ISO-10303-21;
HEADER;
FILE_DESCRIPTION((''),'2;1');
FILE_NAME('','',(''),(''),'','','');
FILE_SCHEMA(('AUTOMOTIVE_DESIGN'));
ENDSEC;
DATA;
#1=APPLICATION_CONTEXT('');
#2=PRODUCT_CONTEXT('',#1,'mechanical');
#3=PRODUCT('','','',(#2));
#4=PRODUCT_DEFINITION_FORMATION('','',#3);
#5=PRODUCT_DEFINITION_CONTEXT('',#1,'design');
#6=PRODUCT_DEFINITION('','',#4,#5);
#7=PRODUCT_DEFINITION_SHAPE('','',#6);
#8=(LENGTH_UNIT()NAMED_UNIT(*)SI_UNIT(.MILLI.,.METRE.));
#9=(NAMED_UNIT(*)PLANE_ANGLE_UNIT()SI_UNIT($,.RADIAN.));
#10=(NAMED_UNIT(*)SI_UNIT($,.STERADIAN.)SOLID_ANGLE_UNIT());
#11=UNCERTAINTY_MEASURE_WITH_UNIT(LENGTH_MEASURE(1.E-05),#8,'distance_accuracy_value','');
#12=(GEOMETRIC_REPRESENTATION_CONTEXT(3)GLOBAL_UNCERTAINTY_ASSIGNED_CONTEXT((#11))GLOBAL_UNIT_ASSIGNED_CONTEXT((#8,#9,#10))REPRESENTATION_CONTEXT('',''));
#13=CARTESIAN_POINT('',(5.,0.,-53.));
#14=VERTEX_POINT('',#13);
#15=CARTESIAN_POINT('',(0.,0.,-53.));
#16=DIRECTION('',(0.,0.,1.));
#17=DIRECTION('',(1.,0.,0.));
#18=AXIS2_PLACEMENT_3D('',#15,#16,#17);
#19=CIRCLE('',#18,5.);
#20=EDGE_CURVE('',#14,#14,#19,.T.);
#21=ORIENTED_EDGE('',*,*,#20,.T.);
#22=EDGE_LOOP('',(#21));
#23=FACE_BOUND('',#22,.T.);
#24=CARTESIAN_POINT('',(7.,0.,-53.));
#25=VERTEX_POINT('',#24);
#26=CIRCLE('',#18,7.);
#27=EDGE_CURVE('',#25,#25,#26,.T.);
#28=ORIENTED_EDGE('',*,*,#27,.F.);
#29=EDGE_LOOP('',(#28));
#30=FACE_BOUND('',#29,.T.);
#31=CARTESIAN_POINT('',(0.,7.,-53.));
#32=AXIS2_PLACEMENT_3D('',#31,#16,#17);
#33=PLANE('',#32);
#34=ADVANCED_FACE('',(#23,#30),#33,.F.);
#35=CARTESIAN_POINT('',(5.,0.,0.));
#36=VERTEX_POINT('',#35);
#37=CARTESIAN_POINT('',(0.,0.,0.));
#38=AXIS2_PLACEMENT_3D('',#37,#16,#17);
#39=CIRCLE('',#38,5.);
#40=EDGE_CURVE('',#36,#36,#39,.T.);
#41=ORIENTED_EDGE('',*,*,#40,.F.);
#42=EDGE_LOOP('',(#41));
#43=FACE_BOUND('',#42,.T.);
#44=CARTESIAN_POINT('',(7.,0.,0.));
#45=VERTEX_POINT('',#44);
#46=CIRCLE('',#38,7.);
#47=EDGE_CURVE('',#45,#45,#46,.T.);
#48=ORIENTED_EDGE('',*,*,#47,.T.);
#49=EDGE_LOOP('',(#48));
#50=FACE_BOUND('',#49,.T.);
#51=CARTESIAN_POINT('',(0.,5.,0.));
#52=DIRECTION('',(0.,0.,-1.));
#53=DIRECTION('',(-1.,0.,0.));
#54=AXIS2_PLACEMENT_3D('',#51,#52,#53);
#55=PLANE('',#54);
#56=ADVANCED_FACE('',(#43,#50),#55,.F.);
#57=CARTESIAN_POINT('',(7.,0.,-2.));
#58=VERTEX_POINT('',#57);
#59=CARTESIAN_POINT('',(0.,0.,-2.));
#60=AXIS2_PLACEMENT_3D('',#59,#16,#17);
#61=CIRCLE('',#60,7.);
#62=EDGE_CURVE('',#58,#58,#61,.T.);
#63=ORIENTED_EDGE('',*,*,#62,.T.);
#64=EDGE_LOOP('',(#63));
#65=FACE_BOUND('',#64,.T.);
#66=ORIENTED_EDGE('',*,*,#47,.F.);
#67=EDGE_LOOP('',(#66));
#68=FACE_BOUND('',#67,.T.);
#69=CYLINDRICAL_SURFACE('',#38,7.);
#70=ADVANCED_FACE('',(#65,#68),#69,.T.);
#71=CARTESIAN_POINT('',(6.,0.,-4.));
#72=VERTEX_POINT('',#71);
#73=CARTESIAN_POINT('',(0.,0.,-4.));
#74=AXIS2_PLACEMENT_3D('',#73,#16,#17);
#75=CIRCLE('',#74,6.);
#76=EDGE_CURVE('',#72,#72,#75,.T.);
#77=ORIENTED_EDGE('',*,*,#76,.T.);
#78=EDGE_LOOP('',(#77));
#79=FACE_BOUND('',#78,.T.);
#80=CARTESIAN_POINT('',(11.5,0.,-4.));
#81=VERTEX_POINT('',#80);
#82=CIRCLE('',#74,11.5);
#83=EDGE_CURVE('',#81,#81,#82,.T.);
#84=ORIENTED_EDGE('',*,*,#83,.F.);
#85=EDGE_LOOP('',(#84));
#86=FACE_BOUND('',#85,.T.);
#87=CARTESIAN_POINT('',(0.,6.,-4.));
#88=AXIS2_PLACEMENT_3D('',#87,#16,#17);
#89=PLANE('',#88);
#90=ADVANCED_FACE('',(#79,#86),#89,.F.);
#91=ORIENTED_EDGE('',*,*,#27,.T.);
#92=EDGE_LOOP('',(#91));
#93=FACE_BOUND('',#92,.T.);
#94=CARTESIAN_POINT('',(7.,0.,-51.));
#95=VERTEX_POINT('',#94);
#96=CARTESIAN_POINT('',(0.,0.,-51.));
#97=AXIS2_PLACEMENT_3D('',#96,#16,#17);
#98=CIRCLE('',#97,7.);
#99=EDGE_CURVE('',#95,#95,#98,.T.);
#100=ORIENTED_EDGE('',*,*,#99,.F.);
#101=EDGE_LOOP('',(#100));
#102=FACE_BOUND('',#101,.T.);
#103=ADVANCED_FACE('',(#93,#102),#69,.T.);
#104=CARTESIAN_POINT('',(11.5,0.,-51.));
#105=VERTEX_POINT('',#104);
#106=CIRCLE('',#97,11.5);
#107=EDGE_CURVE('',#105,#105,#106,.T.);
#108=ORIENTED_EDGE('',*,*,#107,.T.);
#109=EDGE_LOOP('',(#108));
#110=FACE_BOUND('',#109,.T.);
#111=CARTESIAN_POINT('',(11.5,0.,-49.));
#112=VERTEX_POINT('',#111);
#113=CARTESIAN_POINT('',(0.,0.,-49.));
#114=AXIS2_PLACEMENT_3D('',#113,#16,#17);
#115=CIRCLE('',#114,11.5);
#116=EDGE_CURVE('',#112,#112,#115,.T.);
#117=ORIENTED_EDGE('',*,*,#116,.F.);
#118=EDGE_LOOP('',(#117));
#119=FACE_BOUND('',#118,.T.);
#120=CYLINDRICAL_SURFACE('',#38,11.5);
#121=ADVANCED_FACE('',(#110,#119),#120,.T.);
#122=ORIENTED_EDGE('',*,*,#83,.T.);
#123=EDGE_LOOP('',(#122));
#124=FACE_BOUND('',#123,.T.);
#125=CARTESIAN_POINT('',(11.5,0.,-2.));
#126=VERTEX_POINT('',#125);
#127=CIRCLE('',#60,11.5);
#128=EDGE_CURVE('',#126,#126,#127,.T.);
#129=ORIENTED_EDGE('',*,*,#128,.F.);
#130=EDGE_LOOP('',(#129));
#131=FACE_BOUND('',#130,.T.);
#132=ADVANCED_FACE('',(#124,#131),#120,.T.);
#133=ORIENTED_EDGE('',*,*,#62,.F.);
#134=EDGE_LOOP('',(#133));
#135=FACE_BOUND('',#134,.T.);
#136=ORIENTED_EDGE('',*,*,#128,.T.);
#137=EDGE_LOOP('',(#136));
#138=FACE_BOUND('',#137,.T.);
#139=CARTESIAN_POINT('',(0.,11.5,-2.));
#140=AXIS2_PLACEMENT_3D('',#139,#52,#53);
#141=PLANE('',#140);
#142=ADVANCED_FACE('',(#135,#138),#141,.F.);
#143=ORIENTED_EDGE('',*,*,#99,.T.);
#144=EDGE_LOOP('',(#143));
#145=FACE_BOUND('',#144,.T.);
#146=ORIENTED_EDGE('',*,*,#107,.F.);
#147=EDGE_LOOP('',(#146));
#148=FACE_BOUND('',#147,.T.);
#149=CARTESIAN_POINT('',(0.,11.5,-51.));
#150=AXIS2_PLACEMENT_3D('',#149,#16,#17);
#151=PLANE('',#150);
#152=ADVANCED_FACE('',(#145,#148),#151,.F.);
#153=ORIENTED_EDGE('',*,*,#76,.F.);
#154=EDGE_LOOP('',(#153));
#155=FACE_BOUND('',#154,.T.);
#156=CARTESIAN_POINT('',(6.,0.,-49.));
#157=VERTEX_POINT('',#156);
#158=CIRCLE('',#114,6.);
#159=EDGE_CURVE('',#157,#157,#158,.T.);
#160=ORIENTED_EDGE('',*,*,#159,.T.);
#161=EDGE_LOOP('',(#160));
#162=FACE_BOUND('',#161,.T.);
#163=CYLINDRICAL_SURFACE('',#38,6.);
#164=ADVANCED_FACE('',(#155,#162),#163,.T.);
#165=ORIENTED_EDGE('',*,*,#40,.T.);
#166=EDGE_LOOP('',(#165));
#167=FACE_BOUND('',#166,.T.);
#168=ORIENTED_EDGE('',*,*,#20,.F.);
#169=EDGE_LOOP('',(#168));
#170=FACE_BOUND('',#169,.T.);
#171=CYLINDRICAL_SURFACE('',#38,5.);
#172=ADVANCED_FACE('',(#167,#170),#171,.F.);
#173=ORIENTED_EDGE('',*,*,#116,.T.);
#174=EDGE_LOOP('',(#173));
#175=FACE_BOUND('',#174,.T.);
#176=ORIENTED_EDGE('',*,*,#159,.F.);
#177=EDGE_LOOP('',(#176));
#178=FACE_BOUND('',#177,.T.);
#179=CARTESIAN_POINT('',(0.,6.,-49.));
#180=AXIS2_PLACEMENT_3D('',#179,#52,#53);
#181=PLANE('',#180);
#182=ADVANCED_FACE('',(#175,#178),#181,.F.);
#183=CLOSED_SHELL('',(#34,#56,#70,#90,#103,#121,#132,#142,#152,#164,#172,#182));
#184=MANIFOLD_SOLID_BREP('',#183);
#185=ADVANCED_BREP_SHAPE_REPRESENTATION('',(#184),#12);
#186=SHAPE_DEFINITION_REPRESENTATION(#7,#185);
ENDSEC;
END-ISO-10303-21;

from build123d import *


with BuildPart() as part:
    # Sketch2 → Revolve1 (revolve)
    with BuildSketch(Plane(origin=(0, 0, 0), x_dir=(0, 0, -1), z_dir=(1, 0, 0))):
        Polygon((0, 5), (0, 7), (2, 7), (2, 11.5), (4, 11.5), (4, 6), (49, 6), (49, 11.5), (51, 11.5), (51, 7), (53, 7), (53, 5), align=None)
    revolve(axis=Axis((0, 0, 0), (0, 0, -1)))


solid = part.part
